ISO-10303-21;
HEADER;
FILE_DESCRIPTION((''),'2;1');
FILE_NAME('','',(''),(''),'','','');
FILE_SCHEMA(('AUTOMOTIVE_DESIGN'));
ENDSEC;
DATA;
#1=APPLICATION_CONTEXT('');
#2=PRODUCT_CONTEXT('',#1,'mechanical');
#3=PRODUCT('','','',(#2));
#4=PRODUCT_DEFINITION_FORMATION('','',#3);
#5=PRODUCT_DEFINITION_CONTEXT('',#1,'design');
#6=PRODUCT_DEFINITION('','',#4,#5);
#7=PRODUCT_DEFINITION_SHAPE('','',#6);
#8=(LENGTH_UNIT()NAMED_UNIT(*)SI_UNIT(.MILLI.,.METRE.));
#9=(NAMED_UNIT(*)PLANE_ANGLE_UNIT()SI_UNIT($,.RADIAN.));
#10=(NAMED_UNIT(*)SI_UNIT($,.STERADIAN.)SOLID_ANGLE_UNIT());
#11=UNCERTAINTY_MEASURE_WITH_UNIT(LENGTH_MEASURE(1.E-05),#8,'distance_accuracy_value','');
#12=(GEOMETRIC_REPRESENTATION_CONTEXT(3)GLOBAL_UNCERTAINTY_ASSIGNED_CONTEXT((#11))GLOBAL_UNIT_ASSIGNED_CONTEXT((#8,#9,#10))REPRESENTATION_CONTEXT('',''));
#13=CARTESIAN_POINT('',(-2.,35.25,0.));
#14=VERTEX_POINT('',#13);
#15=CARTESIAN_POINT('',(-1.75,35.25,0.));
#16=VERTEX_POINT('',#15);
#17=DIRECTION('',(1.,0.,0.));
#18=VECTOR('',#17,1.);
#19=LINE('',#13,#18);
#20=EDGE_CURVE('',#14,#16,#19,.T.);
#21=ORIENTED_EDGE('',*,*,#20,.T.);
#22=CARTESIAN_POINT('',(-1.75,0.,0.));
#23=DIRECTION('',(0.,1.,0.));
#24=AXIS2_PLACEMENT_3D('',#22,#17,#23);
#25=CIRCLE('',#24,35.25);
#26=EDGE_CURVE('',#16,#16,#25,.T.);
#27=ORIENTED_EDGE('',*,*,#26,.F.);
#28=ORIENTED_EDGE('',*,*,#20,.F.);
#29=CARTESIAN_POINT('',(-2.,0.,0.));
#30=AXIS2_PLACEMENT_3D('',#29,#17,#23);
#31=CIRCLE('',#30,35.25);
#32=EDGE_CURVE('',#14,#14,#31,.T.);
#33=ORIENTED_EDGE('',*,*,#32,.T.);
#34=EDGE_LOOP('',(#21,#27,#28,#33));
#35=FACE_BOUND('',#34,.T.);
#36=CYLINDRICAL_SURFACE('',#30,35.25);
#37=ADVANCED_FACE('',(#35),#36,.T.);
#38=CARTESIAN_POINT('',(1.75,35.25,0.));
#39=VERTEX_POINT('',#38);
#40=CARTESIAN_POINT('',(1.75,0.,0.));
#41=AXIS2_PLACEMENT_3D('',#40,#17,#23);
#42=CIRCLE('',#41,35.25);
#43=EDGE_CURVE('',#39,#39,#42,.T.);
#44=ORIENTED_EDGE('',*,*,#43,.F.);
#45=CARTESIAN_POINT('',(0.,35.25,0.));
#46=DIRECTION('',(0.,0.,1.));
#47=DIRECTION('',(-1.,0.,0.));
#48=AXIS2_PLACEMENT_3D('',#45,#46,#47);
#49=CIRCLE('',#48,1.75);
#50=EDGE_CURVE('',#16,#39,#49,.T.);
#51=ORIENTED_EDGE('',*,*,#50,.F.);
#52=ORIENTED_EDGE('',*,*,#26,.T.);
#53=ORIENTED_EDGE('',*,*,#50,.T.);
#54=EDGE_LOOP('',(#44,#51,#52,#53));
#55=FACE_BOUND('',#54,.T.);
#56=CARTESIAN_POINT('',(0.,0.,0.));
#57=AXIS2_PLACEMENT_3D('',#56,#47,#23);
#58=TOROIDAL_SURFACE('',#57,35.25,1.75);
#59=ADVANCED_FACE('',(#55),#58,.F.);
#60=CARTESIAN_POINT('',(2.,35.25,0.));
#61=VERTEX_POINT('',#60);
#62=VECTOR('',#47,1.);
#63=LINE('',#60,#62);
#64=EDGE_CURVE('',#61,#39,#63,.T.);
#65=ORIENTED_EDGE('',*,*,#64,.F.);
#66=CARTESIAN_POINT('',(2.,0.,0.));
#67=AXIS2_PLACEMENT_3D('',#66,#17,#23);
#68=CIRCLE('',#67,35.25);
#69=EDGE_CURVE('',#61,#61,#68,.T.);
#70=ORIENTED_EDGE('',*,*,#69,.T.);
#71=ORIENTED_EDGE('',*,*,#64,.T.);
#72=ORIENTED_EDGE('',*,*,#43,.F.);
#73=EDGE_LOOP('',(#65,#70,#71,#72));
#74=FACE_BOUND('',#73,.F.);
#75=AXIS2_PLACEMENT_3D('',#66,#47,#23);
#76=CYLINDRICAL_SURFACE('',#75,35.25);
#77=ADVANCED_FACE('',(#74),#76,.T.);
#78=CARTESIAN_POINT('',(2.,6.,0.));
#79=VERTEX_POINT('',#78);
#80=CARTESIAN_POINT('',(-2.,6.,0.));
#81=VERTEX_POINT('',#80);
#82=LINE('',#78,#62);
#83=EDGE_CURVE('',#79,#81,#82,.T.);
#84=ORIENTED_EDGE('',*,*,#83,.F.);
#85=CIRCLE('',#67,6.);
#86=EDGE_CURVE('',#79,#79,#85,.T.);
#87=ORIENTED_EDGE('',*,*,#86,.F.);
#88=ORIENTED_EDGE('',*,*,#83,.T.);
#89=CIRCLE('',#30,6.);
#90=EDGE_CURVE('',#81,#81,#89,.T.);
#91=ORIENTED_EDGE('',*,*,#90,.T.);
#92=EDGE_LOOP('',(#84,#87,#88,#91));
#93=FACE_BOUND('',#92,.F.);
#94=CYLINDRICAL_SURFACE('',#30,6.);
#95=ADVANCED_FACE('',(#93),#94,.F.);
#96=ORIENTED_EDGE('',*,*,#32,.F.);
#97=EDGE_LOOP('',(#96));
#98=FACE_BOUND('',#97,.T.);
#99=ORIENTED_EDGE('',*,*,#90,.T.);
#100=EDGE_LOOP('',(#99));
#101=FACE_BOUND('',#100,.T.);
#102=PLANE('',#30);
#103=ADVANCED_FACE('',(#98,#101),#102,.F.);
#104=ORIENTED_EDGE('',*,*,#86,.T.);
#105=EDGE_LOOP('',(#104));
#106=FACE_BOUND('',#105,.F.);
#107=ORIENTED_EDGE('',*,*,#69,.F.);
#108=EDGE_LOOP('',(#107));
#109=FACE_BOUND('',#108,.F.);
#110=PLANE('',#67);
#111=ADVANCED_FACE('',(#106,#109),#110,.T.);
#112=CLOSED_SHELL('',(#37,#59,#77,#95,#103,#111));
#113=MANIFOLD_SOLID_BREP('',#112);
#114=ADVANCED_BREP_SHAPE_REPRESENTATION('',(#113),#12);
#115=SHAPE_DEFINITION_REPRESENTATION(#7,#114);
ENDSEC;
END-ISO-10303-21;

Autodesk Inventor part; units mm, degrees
ref_plane "YZ Plane" through (0, 0, 0) normal (1, 0, 0) x (0, 1, 0)
ref_plane "XZ Plane" through (0, 0, 0) normal (0, 1, 0) x (-1, 0, 0)
ref_plane "XY Plane" through (0, 0, 0) normal (0, 0, 1) x (1, 0, 0)
sketch "Skizze2" plane through (0, 0, 0) normal (0, 0, 1) x (1, 0, 0)
  line L0 (-2, 6) -> (2, 6)
  line L1 (2, 6) -> (2, 35.25)
  line L2 (2, 35.25) -> (1.75, 35.25)
  line L3 (-2, 6) -> (-2, 35.25)
  line L4 (-2, 35.25) -> (-1.75, 35.25)
  arc A0 (-1.75, 35.25) -> (1.75, 35.25) centre (0, 35.25) ccw
  line L5 (-5.378, 0) -> (18.2681, 0) projected
  line L6 (0, -7.05) -> (0, 42.3) projected
  line L7 (-1.44, 0) -> (14.8901, 0)
  point P0 (0, 0)
  dimension "d2" = 1.75
  dimension "d3" = 6
  dimension "d4" = 2
  dimension "d5" = 4
  dimension "d6" = 0.25
  dimension "d7" = 0.25
  dimension "d12" = 29.25
  dimension "d13" = 29.25
  dimension "d14" = 14.8901
  dimension "d15" = 1.44
revolve "Umdrehung1" add sketch "Skizze2" angle 360 about axis through (-1.44, 0, 0) along (1, 0, 0)
properties part number "Rad d72 b4 r3.5"
